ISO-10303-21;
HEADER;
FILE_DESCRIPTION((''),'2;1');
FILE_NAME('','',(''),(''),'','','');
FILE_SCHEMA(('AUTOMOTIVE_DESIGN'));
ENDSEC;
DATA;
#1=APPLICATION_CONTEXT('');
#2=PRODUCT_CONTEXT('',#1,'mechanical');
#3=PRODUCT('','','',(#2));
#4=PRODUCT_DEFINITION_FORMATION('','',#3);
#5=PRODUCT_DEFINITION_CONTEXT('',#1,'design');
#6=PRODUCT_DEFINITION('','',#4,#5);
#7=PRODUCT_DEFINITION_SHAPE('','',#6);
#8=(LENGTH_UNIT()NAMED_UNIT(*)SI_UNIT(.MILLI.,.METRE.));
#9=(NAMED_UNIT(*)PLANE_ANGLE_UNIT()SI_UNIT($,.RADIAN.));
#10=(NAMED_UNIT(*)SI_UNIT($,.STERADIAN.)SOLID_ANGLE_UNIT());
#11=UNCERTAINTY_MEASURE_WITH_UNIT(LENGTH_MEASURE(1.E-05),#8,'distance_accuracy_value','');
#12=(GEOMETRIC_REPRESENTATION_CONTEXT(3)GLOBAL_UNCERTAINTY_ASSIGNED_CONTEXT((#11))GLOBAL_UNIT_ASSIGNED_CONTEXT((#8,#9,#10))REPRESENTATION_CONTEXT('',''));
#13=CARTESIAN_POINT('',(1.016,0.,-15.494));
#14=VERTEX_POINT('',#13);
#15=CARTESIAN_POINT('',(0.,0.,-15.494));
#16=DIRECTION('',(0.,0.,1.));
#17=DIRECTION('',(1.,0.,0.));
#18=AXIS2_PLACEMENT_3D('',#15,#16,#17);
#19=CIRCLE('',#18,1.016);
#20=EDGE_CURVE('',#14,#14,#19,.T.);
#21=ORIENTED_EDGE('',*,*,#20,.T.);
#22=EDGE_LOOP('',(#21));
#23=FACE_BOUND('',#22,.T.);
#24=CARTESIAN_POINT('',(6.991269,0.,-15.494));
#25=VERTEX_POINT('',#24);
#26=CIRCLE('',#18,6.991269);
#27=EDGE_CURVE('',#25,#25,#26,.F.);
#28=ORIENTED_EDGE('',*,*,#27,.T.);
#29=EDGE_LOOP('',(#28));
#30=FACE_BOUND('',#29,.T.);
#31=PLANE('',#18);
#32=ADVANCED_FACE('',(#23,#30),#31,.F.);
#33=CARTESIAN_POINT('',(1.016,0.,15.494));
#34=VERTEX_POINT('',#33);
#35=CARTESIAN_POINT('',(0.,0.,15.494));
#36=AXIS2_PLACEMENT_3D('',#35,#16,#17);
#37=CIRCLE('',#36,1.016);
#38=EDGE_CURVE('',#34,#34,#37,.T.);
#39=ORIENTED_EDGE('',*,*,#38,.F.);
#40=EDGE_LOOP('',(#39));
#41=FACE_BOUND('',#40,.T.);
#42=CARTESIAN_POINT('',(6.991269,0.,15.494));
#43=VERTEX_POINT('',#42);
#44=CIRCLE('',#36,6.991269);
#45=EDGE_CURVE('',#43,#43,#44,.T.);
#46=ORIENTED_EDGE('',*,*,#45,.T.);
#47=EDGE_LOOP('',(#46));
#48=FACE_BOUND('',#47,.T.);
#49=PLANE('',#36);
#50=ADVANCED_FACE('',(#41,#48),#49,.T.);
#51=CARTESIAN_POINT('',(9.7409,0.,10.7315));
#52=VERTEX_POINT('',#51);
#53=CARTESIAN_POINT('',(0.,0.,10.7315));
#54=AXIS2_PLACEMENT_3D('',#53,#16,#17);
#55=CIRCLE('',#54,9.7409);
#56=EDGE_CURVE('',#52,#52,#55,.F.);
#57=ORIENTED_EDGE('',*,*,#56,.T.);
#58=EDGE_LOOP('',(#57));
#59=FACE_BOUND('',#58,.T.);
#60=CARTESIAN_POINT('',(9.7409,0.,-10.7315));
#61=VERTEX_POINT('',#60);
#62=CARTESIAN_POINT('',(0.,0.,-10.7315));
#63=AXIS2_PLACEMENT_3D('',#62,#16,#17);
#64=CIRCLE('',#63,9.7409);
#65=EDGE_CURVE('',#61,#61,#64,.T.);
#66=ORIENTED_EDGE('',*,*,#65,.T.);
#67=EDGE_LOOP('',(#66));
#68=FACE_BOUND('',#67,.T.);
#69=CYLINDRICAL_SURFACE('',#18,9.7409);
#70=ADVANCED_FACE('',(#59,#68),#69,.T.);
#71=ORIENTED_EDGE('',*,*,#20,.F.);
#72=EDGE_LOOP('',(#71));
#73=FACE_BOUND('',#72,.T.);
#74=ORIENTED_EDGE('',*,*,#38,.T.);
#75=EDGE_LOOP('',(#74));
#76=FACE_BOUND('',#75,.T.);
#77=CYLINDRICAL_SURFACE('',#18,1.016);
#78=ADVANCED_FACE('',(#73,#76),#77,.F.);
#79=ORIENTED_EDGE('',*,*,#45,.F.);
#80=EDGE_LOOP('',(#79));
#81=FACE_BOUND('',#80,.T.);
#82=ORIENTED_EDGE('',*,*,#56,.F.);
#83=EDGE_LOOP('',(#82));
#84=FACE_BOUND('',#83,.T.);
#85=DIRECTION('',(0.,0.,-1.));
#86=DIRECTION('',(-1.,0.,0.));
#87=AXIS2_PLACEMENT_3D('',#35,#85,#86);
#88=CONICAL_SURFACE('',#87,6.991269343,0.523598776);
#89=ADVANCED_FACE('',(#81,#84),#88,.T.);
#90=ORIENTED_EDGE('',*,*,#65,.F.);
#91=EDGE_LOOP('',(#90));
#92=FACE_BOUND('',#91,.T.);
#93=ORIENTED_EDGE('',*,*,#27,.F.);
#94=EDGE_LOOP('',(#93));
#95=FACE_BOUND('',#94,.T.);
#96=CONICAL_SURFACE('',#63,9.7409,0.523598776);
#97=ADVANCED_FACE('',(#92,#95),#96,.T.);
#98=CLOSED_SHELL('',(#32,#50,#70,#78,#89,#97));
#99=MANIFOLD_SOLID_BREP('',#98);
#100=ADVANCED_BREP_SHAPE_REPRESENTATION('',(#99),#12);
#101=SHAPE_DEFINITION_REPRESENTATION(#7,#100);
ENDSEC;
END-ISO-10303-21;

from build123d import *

# Parameters (mm, degrees)
BOSS_EXTRUDE1_DEPTH      = 15.494
BOSS_EXTRUDE1_DEPTH_BACK = 15.494
SKETCH1_R                = 9.7409
SKETCH1_R_2              = 1.016
CHAMFER2_SIZE            = 4.7625
CHAMFER2_SIZE2           = 2.749630657
CHAMFER3_SIZE            = 4.7625
CHAMFER3_SIZE2           = 2.749630657


with BuildPart() as part:
    # Sketch1 → Boss-Extrude1 (new, two sides: drawn at the far end of the back side and taken through both)
    with BuildSketch(Plane.XY.offset(-BOSS_EXTRUDE1_DEPTH_BACK)):
        Circle(SKETCH1_R)
        Circle(SKETCH1_R_2, mode=Mode.SUBTRACT)
    extrude(amount=BOSS_EXTRUDE1_DEPTH + BOSS_EXTRUDE1_DEPTH_BACK)

    # Chamfer2
    chamfer2_edges = [part.edges().sort_by_distance(p)[0] for p in [
        (-9.7409, 0, -15.494),
    ]]
    chamfer2_side = [part.faces().sort_by_distance(p)[0] for p in [
        (-9.7409, 0, -7.747),
    ]]
    chamfer(chamfer2_edges, length=CHAMFER2_SIZE, length2=CHAMFER2_SIZE2, reference=chamfer2_side[0])

    # Chamfer3
    chamfer3_edges = [part.edges().sort_by_distance(p)[0] for p in [
        (-9.7409, 0, 15.494),
    ]]
    chamfer3_side = [part.faces().sort_by_distance(p)[0] for p in [
        (-9.7409, 0, 2.38125),
    ]]
    chamfer(chamfer3_edges, length=CHAMFER3_SIZE, length2=CHAMFER3_SIZE2, reference=chamfer3_side[0])


solid = part.part
